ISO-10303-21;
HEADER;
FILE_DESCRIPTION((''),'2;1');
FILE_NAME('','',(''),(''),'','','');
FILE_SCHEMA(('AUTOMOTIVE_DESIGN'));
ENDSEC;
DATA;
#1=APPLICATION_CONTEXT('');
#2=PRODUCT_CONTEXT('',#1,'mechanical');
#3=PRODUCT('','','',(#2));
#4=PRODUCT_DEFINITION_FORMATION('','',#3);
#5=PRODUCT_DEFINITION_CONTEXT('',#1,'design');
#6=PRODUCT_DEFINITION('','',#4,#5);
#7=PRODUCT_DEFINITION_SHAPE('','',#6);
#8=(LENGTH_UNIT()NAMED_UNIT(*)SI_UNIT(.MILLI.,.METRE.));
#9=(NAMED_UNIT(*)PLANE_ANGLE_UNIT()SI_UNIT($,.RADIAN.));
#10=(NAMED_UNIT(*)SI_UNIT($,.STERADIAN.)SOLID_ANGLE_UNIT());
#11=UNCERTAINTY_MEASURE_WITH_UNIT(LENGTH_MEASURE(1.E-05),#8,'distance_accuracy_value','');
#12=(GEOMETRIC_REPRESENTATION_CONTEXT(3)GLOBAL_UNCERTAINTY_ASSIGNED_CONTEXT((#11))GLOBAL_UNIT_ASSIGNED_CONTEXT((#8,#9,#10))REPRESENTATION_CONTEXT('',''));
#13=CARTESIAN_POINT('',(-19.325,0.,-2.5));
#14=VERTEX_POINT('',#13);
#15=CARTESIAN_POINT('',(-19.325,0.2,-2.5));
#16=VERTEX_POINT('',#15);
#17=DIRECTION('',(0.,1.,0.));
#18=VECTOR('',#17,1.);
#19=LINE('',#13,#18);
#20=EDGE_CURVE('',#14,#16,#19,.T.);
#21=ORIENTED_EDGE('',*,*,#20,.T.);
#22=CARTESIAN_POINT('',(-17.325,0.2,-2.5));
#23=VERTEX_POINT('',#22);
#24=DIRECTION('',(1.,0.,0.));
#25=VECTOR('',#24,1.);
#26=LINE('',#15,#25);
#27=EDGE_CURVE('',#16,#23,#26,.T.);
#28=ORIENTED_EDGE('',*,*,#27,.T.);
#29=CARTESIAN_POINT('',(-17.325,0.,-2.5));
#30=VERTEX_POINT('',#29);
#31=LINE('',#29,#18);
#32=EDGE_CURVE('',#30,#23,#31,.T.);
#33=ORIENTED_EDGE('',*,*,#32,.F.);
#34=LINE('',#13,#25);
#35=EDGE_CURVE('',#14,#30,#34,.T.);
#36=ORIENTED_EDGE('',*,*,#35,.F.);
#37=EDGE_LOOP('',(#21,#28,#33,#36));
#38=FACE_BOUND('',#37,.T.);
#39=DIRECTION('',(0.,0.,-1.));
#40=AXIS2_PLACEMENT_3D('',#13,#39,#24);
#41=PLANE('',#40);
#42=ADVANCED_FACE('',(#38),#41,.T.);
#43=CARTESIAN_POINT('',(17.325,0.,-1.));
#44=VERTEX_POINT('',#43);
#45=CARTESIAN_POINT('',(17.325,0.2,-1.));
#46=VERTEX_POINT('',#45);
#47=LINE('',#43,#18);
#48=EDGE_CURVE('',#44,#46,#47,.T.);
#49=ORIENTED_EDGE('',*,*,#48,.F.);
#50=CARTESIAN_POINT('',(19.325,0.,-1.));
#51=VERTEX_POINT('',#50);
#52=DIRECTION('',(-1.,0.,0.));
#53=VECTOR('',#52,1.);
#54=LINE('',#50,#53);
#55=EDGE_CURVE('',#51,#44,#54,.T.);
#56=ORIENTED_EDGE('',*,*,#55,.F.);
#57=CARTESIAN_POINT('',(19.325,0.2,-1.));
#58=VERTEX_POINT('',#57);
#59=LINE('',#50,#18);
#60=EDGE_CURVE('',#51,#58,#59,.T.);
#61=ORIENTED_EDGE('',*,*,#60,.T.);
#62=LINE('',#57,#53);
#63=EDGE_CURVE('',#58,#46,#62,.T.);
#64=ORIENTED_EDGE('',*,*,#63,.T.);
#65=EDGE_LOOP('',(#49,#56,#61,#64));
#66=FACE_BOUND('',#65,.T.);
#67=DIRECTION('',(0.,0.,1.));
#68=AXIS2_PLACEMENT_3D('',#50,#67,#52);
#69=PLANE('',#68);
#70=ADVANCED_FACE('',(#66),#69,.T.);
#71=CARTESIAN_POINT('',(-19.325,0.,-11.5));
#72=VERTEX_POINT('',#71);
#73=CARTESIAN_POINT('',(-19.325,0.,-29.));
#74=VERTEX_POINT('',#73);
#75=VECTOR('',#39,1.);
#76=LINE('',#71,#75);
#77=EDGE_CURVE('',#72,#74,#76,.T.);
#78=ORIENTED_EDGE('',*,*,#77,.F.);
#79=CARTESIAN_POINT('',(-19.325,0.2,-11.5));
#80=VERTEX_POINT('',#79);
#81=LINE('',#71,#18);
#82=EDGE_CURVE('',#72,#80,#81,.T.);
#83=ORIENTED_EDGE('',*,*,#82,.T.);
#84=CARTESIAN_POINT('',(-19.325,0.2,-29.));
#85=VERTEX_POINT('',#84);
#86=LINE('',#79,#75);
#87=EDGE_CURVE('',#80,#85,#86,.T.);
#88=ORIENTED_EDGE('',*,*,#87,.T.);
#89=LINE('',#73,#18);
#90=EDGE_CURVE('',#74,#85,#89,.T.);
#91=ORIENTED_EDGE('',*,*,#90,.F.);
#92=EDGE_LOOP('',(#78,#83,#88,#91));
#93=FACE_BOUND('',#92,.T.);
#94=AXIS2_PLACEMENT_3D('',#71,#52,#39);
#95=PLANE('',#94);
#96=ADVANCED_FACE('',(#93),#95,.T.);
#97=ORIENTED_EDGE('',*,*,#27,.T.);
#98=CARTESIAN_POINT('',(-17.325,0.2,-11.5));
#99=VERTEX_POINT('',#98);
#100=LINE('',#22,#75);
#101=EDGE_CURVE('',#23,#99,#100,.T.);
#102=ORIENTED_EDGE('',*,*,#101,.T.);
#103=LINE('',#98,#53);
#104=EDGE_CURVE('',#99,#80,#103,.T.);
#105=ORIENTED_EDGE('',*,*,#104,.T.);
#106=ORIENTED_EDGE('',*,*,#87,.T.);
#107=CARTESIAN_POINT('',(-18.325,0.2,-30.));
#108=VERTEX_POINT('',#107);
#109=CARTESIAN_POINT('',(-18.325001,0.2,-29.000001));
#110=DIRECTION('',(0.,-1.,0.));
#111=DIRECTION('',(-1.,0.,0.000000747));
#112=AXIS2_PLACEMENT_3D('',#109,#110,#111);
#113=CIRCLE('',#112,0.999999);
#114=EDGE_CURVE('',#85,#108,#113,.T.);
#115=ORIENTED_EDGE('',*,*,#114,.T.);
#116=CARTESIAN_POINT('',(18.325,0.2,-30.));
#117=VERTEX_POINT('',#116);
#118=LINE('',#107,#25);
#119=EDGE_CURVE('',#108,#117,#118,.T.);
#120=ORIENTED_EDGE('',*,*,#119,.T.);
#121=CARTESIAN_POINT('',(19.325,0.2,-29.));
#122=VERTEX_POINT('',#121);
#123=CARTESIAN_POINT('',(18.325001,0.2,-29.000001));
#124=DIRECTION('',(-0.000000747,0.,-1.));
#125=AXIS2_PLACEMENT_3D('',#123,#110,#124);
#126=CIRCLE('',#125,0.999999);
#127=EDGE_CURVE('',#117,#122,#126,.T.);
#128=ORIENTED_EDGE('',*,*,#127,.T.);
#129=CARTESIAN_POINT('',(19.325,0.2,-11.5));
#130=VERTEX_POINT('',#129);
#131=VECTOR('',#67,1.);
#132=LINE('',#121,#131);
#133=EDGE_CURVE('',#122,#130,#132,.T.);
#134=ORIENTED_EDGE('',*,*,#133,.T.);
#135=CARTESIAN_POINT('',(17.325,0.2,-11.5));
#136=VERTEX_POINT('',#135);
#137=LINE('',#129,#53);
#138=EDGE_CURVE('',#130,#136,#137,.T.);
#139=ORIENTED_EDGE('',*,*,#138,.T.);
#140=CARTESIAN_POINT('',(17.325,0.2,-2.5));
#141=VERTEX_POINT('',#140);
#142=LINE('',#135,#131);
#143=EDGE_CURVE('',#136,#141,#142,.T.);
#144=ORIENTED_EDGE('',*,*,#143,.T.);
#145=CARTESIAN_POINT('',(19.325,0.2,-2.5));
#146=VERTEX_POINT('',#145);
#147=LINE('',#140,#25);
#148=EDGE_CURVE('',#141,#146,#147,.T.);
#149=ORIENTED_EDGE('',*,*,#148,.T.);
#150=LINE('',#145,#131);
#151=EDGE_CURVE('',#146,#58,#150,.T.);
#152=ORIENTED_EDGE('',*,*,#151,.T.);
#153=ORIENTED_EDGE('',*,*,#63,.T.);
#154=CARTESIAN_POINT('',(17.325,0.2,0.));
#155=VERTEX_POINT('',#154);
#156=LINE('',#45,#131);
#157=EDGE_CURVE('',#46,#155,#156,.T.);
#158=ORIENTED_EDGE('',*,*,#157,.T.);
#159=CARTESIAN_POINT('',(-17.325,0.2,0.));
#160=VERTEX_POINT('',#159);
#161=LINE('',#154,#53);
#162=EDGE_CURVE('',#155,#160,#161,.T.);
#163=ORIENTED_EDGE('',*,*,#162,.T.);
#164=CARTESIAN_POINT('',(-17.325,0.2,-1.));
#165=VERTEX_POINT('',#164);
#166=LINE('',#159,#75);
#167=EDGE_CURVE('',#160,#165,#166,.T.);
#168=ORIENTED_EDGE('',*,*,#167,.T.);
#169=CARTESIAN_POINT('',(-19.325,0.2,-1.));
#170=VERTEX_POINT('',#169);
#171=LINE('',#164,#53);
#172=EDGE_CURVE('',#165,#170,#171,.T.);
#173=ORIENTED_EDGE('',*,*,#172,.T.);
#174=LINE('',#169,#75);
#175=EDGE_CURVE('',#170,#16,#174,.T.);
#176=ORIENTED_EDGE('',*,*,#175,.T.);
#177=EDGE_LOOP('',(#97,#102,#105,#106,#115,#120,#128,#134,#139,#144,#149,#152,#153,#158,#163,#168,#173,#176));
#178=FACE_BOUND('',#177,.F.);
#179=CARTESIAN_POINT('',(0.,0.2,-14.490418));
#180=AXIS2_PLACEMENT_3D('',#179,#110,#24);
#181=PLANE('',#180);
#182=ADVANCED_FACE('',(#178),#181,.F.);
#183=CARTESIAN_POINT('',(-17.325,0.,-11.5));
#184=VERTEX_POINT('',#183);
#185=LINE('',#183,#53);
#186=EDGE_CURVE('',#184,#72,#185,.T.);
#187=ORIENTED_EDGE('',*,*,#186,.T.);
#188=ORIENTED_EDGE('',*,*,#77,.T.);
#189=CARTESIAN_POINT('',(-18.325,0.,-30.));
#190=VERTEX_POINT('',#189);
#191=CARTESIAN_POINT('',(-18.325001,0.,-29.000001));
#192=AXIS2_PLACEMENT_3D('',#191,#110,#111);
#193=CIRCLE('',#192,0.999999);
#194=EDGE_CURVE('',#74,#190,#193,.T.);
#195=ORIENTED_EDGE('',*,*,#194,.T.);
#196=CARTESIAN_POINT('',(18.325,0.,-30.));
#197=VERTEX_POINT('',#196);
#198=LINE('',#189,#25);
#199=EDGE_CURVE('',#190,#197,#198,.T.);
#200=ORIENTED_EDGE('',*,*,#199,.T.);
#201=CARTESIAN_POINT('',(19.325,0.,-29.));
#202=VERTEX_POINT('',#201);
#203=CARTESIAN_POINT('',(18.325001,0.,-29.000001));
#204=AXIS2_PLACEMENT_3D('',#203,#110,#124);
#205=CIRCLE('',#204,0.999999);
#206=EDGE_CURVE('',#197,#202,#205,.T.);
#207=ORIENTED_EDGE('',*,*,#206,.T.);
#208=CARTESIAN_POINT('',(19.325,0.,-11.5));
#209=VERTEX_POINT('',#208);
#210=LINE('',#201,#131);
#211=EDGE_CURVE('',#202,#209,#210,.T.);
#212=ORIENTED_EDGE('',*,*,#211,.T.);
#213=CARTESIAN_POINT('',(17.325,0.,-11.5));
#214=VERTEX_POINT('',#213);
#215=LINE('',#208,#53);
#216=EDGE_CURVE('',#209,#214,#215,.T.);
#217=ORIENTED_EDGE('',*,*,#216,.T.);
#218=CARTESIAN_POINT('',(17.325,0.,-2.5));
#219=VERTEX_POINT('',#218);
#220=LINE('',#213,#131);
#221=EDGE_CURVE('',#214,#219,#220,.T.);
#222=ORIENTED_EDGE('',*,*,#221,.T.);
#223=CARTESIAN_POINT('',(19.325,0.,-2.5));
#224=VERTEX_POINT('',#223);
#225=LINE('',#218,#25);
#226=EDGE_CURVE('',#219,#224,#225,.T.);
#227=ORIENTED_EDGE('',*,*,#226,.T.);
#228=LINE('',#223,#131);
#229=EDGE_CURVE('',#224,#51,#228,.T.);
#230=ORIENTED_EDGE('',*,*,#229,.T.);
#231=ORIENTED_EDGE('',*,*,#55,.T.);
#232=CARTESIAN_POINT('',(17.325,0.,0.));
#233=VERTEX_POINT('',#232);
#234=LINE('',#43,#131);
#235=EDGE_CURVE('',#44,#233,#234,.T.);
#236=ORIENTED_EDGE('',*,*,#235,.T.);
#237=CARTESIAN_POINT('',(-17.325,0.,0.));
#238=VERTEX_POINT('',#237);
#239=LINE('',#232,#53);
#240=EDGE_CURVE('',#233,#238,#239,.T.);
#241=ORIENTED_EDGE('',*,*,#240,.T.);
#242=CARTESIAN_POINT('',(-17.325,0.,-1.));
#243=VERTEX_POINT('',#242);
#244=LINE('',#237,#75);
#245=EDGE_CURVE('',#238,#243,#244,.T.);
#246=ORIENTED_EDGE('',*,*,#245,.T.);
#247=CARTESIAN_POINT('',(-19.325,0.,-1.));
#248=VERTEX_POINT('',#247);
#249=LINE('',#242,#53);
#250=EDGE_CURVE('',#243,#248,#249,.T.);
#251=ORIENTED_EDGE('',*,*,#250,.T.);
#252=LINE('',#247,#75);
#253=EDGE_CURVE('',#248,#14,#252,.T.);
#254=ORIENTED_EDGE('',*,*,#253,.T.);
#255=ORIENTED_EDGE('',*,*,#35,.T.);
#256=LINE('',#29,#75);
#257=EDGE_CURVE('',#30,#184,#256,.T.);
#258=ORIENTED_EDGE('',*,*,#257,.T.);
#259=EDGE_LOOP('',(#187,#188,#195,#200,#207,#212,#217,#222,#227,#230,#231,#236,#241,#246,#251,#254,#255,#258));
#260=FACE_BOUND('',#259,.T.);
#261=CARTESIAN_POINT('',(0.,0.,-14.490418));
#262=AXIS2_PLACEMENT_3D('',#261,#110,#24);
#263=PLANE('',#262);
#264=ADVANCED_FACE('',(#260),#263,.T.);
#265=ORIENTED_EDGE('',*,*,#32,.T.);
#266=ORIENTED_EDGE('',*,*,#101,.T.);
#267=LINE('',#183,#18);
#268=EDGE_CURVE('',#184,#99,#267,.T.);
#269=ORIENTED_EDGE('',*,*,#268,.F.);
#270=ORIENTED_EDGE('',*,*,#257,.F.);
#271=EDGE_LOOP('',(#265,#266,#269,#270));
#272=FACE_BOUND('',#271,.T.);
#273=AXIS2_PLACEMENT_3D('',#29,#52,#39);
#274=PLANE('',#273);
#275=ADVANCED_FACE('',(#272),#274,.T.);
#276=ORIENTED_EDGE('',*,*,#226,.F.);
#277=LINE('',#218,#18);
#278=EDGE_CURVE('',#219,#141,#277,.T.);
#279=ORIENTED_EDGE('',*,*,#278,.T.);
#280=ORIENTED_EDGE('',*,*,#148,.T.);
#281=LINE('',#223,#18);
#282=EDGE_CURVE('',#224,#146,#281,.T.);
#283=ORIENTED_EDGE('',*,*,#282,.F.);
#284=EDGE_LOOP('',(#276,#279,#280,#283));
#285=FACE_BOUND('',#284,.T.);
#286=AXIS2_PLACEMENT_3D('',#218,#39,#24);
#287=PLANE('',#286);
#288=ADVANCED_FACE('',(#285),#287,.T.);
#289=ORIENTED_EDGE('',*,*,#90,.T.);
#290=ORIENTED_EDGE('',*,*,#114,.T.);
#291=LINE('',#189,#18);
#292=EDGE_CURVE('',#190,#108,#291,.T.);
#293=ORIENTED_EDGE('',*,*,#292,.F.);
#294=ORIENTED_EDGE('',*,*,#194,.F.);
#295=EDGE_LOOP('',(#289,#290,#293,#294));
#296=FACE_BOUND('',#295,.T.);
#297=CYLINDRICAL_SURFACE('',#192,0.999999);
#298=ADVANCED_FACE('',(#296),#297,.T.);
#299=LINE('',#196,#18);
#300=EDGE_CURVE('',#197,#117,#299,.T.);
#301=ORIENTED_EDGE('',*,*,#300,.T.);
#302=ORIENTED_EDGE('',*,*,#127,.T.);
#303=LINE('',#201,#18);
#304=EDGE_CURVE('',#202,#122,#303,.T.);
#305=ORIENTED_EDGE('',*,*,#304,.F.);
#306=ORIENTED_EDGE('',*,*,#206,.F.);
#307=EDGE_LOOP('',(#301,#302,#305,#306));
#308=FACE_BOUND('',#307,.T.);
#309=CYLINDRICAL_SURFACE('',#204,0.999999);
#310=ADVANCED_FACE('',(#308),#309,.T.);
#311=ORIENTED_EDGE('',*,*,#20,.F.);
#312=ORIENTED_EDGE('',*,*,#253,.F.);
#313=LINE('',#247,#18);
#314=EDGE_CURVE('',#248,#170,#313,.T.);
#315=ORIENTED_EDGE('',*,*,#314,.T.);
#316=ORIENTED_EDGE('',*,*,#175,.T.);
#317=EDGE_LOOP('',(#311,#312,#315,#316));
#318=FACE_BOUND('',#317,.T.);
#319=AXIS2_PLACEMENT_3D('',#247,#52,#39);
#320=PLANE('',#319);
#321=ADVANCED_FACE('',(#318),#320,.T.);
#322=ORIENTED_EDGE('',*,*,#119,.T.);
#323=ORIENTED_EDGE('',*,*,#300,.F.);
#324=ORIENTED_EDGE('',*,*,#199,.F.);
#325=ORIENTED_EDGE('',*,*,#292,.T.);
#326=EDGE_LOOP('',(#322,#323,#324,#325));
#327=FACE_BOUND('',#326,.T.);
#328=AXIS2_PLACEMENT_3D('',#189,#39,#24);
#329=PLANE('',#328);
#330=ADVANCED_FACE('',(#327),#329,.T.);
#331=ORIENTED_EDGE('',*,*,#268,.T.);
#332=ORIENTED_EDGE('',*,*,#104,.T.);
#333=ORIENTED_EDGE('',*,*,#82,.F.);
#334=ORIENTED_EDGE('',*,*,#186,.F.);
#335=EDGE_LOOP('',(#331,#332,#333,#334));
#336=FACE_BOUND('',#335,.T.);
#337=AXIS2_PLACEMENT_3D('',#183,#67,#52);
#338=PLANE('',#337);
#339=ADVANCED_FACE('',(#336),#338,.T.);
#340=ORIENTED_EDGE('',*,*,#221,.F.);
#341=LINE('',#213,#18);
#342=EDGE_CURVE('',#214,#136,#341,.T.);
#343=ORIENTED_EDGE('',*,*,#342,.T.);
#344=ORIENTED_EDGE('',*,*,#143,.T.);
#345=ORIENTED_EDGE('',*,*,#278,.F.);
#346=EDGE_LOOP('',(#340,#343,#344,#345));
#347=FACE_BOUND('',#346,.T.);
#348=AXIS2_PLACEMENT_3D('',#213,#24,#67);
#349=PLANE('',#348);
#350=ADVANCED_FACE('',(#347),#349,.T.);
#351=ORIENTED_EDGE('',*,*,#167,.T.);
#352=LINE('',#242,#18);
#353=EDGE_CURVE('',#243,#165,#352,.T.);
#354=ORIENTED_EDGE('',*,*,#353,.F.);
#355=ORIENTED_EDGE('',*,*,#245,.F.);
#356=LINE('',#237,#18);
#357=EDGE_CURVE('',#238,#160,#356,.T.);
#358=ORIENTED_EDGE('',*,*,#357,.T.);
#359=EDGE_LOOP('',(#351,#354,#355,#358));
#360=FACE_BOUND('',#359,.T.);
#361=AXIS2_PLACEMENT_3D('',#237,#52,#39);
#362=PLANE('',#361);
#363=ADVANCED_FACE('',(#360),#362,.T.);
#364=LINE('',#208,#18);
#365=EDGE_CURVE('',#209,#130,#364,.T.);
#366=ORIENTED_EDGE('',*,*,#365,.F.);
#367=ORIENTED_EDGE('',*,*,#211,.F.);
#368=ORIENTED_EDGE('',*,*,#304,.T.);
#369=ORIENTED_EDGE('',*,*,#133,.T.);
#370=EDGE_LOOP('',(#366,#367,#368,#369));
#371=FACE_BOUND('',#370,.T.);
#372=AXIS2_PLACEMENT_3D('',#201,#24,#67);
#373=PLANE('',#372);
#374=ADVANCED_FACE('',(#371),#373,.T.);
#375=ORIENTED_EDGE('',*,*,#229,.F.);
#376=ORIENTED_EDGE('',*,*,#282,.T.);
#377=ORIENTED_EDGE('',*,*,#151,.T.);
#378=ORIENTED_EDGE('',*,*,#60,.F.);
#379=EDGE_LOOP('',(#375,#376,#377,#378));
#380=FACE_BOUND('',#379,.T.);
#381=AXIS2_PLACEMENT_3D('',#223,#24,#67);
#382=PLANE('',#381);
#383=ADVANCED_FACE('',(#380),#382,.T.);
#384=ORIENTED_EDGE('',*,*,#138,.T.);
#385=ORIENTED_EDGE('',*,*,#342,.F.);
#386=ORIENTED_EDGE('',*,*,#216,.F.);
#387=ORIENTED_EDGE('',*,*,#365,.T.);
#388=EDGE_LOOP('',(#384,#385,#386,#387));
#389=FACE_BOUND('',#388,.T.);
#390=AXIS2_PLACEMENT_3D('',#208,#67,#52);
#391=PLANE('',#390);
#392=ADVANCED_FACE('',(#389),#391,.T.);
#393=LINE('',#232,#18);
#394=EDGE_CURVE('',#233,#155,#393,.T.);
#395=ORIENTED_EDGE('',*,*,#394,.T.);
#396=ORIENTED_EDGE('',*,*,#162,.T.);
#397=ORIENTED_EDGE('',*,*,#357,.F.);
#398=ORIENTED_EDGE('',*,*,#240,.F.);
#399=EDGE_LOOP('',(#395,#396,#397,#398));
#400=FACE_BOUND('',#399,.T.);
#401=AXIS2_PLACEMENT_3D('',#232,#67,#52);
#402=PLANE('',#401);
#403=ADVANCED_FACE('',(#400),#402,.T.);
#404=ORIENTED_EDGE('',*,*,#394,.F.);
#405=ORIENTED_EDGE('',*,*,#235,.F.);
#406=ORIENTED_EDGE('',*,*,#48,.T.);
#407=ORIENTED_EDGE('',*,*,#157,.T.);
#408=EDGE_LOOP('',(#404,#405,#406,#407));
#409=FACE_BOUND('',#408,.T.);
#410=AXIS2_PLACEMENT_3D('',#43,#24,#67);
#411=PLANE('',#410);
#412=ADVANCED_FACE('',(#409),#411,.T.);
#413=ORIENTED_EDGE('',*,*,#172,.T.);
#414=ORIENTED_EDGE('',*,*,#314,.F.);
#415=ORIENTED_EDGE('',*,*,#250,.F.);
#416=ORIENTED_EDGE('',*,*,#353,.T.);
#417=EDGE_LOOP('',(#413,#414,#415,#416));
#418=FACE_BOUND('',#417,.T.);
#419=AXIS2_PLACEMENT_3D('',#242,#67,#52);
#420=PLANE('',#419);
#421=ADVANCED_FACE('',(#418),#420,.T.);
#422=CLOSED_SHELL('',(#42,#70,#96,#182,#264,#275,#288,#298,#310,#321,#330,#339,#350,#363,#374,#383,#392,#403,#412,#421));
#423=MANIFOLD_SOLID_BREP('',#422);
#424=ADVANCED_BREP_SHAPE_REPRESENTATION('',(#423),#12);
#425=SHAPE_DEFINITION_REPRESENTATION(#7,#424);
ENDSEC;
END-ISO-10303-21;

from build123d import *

# Parameters (mm, degrees)
F1_DEPTH = 0.2


with BuildPart() as f1:
    # F0 (on Front) → F1 (new body)
    with BuildSketch(Plane.XZ):
        with BuildLine():
            Line((17.325, -11.5), (17.325, -2.5))
            Line((17.325, -2.5), (19.325, -2.5))
            Line((19.325, -2.5), (19.325, -1))
            Line((19.325, -1), (17.325, -1))
            Line((17.325, -1), (17.325, 0))
            Line((17.325, 0), (-17.325, 0))
            Line((-17.325, 0), (-17.325, -1))
            Line((-17.325, -1), (-19.325, -1))
            Line((-19.325, -1), (-19.325, -2.5))
            Line((-19.325, -2.5), (-17.325, -2.5))
            Line((-17.325, -2.5), (-17.325, -11.5))
            Line((-17.325, -11.5), (-19.325, -11.5))
            Line((-19.325, -11.5), (-19.325, -29))
            ThreePointArc((-19.325, -29), (-19.032107, -29.707107), (-18.325, -30))
            Line((-18.325, -30), (18.325, -30))
            ThreePointArc((18.325, -30), (19.032107, -29.707107), (19.325, -29))
            Line((19.325, -29), (19.325, -11.5))
            Line((19.325, -11.5), (17.325, -11.5))
        make_face()
    extrude(amount=-F1_DEPTH)


solid = f1.part
